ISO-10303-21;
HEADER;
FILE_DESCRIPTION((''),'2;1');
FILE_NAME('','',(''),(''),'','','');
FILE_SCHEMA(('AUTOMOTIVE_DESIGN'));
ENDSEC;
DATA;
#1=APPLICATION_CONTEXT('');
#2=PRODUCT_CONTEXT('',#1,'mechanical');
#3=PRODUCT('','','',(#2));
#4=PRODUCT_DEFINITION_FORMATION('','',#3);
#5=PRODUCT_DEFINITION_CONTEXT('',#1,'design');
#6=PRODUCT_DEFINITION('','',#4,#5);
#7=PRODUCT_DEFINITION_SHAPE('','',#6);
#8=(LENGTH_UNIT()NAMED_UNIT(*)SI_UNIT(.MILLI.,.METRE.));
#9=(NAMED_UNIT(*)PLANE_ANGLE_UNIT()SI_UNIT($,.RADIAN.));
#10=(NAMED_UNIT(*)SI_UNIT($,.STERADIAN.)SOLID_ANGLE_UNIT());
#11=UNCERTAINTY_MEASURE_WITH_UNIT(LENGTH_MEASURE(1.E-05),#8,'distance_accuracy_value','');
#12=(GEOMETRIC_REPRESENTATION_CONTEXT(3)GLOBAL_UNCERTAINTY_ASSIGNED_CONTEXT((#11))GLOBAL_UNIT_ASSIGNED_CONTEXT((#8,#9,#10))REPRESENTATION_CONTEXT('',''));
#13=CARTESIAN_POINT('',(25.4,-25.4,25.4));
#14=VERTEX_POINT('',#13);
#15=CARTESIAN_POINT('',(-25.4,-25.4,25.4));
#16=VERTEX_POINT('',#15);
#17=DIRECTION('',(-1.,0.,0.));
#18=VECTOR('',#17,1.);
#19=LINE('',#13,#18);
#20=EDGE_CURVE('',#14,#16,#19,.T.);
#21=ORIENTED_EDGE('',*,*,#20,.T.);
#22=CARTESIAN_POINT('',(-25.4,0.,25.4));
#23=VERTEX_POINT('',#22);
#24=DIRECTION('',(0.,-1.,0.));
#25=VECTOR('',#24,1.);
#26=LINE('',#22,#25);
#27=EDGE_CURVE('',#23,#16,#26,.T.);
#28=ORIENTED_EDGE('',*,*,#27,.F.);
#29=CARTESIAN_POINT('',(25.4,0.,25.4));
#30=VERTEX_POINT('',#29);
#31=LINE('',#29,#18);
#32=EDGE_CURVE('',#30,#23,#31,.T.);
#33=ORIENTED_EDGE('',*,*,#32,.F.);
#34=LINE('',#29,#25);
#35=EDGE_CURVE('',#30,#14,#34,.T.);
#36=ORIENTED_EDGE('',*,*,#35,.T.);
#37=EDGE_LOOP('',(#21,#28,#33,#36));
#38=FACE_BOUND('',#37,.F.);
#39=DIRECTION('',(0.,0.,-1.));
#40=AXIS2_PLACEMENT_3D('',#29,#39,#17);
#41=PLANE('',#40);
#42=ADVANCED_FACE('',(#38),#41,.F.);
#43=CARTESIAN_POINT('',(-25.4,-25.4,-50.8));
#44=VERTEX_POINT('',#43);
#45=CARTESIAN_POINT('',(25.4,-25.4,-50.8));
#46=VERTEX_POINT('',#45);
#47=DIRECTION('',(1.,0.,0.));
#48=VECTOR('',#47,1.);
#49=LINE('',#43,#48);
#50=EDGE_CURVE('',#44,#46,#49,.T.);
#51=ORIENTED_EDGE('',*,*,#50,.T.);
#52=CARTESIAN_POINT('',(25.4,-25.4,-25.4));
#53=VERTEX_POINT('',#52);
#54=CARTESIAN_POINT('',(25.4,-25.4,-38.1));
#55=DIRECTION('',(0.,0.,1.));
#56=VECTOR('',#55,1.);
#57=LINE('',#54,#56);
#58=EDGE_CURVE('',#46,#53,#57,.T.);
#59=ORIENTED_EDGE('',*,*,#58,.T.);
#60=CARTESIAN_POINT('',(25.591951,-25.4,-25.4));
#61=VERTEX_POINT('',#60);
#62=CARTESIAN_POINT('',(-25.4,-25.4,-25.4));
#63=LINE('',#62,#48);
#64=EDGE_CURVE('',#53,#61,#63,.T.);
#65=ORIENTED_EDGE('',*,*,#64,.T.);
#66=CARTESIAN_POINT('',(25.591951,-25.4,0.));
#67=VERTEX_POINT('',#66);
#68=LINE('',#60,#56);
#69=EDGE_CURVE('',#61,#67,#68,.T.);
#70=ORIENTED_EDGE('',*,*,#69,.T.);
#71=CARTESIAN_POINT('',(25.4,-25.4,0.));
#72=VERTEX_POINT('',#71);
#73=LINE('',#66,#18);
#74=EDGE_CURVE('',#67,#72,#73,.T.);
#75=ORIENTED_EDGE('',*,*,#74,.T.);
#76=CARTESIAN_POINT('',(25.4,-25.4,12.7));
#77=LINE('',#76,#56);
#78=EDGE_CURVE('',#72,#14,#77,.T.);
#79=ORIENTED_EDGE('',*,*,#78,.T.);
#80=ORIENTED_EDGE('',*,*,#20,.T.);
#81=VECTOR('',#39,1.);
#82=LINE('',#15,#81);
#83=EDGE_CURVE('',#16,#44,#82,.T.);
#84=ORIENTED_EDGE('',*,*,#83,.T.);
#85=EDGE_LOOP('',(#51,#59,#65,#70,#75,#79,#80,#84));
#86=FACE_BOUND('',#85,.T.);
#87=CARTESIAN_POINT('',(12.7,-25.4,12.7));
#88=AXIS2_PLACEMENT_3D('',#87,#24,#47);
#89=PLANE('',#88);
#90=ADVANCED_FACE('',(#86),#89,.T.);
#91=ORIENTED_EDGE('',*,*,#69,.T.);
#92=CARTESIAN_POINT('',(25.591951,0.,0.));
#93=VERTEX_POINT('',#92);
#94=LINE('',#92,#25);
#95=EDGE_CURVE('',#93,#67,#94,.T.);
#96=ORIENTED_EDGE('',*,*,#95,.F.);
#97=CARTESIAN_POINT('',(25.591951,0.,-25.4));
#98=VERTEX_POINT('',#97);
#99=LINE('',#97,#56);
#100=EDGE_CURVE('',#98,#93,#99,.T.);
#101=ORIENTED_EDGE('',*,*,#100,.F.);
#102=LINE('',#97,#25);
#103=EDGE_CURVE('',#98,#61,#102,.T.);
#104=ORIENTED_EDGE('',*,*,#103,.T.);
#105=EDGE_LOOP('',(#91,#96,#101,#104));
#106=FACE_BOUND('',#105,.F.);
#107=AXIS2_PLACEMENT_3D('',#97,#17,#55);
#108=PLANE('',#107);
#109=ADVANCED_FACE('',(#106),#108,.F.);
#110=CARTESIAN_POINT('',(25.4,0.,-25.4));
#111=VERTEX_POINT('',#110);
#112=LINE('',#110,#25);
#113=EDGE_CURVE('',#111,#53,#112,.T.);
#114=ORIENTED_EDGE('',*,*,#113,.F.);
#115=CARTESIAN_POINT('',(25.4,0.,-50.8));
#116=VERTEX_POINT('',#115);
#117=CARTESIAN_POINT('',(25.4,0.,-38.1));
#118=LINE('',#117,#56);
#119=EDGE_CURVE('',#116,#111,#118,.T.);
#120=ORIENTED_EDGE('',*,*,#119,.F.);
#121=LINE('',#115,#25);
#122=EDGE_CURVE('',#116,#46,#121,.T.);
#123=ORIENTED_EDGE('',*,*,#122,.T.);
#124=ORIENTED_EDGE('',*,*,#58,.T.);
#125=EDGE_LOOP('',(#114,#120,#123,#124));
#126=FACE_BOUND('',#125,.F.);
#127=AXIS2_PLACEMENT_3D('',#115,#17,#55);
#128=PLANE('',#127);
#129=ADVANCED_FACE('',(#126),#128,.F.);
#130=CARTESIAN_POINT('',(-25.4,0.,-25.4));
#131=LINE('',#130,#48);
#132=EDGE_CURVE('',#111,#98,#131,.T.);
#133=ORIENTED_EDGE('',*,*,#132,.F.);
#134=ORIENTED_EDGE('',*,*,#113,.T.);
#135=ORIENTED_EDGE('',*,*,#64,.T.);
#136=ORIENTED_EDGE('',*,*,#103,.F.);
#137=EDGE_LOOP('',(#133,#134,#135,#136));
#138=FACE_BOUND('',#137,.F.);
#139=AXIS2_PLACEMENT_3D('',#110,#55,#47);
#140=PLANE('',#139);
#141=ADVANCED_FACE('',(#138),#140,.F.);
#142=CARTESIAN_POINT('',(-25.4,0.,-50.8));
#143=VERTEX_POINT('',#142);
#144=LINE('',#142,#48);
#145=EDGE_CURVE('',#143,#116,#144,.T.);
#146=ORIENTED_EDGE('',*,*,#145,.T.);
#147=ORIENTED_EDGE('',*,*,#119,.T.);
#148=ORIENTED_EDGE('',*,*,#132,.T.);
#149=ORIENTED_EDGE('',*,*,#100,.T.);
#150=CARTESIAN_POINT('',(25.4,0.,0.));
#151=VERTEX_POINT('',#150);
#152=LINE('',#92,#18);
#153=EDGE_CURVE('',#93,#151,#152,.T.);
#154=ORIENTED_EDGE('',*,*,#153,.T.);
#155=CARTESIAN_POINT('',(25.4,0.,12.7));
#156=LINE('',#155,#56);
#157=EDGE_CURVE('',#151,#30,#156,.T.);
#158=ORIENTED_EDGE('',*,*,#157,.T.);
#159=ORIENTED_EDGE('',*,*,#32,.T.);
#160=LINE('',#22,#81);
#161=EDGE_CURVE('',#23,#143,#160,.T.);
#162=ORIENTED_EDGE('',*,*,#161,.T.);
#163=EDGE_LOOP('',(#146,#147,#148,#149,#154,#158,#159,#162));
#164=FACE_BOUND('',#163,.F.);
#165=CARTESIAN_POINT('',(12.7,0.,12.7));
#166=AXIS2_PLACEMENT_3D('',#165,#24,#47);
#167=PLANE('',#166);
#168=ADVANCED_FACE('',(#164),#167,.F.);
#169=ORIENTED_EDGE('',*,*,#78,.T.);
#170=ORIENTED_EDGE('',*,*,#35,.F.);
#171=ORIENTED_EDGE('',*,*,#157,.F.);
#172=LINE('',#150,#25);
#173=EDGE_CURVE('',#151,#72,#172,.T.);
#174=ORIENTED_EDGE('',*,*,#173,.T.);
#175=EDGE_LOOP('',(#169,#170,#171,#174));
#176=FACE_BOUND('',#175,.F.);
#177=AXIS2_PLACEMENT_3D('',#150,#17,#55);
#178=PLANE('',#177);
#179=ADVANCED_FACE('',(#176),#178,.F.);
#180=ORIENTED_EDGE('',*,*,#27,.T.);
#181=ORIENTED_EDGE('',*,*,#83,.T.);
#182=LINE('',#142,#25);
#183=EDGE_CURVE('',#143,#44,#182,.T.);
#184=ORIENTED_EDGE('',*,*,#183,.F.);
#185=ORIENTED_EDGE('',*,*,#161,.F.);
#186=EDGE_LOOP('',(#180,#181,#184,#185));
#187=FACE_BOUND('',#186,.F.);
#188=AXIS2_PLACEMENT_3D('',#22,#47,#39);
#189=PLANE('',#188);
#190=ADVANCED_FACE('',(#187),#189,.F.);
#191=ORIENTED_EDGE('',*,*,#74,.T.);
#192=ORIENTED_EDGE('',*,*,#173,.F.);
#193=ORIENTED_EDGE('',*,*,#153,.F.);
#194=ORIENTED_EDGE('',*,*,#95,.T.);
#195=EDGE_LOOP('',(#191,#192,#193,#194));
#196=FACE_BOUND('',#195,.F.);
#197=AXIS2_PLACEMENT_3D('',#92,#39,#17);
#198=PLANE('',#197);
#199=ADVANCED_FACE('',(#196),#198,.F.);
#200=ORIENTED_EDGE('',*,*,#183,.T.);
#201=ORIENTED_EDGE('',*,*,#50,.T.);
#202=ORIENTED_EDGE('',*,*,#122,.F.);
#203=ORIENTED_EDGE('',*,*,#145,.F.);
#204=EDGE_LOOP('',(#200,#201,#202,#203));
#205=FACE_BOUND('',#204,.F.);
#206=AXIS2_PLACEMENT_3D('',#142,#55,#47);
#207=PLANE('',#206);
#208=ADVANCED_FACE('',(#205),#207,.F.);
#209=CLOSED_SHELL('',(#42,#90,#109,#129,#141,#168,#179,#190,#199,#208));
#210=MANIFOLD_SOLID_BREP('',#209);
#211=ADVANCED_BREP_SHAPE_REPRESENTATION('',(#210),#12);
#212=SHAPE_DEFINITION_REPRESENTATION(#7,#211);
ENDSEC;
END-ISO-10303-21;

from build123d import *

# Parameters (mm, degrees)
F0_W     = 25.4
F0_H     = 25.4
F1_DEPTH = 25.4


with BuildPart() as f1:
    # F0 (on Front) → F1 (new body)
    with BuildSketch(Plane.XZ):
        with Locations((12.7, 12.7)):
            Rectangle(F0_W, F0_H)
        with Locations((-12.7, 12.7)):
            Rectangle(F0_W, F0_H)
        with Locations((-12.7, -12.7)):
            Rectangle(F0_W, F0_H)
        Polygon((25.4, 0), (0, 0), (0, -25.4), (25.4, -25.4), (25.591951, -25.4), (25.591951, 0), align=None)
        with Locations((-12.7, -38.1)):
            Rectangle(F0_W, F0_H)
        with Locations((12.7, -38.1)):
            Rectangle(F0_W, F0_H)
    extrude(amount=F1_DEPTH)


solid = f1.part
